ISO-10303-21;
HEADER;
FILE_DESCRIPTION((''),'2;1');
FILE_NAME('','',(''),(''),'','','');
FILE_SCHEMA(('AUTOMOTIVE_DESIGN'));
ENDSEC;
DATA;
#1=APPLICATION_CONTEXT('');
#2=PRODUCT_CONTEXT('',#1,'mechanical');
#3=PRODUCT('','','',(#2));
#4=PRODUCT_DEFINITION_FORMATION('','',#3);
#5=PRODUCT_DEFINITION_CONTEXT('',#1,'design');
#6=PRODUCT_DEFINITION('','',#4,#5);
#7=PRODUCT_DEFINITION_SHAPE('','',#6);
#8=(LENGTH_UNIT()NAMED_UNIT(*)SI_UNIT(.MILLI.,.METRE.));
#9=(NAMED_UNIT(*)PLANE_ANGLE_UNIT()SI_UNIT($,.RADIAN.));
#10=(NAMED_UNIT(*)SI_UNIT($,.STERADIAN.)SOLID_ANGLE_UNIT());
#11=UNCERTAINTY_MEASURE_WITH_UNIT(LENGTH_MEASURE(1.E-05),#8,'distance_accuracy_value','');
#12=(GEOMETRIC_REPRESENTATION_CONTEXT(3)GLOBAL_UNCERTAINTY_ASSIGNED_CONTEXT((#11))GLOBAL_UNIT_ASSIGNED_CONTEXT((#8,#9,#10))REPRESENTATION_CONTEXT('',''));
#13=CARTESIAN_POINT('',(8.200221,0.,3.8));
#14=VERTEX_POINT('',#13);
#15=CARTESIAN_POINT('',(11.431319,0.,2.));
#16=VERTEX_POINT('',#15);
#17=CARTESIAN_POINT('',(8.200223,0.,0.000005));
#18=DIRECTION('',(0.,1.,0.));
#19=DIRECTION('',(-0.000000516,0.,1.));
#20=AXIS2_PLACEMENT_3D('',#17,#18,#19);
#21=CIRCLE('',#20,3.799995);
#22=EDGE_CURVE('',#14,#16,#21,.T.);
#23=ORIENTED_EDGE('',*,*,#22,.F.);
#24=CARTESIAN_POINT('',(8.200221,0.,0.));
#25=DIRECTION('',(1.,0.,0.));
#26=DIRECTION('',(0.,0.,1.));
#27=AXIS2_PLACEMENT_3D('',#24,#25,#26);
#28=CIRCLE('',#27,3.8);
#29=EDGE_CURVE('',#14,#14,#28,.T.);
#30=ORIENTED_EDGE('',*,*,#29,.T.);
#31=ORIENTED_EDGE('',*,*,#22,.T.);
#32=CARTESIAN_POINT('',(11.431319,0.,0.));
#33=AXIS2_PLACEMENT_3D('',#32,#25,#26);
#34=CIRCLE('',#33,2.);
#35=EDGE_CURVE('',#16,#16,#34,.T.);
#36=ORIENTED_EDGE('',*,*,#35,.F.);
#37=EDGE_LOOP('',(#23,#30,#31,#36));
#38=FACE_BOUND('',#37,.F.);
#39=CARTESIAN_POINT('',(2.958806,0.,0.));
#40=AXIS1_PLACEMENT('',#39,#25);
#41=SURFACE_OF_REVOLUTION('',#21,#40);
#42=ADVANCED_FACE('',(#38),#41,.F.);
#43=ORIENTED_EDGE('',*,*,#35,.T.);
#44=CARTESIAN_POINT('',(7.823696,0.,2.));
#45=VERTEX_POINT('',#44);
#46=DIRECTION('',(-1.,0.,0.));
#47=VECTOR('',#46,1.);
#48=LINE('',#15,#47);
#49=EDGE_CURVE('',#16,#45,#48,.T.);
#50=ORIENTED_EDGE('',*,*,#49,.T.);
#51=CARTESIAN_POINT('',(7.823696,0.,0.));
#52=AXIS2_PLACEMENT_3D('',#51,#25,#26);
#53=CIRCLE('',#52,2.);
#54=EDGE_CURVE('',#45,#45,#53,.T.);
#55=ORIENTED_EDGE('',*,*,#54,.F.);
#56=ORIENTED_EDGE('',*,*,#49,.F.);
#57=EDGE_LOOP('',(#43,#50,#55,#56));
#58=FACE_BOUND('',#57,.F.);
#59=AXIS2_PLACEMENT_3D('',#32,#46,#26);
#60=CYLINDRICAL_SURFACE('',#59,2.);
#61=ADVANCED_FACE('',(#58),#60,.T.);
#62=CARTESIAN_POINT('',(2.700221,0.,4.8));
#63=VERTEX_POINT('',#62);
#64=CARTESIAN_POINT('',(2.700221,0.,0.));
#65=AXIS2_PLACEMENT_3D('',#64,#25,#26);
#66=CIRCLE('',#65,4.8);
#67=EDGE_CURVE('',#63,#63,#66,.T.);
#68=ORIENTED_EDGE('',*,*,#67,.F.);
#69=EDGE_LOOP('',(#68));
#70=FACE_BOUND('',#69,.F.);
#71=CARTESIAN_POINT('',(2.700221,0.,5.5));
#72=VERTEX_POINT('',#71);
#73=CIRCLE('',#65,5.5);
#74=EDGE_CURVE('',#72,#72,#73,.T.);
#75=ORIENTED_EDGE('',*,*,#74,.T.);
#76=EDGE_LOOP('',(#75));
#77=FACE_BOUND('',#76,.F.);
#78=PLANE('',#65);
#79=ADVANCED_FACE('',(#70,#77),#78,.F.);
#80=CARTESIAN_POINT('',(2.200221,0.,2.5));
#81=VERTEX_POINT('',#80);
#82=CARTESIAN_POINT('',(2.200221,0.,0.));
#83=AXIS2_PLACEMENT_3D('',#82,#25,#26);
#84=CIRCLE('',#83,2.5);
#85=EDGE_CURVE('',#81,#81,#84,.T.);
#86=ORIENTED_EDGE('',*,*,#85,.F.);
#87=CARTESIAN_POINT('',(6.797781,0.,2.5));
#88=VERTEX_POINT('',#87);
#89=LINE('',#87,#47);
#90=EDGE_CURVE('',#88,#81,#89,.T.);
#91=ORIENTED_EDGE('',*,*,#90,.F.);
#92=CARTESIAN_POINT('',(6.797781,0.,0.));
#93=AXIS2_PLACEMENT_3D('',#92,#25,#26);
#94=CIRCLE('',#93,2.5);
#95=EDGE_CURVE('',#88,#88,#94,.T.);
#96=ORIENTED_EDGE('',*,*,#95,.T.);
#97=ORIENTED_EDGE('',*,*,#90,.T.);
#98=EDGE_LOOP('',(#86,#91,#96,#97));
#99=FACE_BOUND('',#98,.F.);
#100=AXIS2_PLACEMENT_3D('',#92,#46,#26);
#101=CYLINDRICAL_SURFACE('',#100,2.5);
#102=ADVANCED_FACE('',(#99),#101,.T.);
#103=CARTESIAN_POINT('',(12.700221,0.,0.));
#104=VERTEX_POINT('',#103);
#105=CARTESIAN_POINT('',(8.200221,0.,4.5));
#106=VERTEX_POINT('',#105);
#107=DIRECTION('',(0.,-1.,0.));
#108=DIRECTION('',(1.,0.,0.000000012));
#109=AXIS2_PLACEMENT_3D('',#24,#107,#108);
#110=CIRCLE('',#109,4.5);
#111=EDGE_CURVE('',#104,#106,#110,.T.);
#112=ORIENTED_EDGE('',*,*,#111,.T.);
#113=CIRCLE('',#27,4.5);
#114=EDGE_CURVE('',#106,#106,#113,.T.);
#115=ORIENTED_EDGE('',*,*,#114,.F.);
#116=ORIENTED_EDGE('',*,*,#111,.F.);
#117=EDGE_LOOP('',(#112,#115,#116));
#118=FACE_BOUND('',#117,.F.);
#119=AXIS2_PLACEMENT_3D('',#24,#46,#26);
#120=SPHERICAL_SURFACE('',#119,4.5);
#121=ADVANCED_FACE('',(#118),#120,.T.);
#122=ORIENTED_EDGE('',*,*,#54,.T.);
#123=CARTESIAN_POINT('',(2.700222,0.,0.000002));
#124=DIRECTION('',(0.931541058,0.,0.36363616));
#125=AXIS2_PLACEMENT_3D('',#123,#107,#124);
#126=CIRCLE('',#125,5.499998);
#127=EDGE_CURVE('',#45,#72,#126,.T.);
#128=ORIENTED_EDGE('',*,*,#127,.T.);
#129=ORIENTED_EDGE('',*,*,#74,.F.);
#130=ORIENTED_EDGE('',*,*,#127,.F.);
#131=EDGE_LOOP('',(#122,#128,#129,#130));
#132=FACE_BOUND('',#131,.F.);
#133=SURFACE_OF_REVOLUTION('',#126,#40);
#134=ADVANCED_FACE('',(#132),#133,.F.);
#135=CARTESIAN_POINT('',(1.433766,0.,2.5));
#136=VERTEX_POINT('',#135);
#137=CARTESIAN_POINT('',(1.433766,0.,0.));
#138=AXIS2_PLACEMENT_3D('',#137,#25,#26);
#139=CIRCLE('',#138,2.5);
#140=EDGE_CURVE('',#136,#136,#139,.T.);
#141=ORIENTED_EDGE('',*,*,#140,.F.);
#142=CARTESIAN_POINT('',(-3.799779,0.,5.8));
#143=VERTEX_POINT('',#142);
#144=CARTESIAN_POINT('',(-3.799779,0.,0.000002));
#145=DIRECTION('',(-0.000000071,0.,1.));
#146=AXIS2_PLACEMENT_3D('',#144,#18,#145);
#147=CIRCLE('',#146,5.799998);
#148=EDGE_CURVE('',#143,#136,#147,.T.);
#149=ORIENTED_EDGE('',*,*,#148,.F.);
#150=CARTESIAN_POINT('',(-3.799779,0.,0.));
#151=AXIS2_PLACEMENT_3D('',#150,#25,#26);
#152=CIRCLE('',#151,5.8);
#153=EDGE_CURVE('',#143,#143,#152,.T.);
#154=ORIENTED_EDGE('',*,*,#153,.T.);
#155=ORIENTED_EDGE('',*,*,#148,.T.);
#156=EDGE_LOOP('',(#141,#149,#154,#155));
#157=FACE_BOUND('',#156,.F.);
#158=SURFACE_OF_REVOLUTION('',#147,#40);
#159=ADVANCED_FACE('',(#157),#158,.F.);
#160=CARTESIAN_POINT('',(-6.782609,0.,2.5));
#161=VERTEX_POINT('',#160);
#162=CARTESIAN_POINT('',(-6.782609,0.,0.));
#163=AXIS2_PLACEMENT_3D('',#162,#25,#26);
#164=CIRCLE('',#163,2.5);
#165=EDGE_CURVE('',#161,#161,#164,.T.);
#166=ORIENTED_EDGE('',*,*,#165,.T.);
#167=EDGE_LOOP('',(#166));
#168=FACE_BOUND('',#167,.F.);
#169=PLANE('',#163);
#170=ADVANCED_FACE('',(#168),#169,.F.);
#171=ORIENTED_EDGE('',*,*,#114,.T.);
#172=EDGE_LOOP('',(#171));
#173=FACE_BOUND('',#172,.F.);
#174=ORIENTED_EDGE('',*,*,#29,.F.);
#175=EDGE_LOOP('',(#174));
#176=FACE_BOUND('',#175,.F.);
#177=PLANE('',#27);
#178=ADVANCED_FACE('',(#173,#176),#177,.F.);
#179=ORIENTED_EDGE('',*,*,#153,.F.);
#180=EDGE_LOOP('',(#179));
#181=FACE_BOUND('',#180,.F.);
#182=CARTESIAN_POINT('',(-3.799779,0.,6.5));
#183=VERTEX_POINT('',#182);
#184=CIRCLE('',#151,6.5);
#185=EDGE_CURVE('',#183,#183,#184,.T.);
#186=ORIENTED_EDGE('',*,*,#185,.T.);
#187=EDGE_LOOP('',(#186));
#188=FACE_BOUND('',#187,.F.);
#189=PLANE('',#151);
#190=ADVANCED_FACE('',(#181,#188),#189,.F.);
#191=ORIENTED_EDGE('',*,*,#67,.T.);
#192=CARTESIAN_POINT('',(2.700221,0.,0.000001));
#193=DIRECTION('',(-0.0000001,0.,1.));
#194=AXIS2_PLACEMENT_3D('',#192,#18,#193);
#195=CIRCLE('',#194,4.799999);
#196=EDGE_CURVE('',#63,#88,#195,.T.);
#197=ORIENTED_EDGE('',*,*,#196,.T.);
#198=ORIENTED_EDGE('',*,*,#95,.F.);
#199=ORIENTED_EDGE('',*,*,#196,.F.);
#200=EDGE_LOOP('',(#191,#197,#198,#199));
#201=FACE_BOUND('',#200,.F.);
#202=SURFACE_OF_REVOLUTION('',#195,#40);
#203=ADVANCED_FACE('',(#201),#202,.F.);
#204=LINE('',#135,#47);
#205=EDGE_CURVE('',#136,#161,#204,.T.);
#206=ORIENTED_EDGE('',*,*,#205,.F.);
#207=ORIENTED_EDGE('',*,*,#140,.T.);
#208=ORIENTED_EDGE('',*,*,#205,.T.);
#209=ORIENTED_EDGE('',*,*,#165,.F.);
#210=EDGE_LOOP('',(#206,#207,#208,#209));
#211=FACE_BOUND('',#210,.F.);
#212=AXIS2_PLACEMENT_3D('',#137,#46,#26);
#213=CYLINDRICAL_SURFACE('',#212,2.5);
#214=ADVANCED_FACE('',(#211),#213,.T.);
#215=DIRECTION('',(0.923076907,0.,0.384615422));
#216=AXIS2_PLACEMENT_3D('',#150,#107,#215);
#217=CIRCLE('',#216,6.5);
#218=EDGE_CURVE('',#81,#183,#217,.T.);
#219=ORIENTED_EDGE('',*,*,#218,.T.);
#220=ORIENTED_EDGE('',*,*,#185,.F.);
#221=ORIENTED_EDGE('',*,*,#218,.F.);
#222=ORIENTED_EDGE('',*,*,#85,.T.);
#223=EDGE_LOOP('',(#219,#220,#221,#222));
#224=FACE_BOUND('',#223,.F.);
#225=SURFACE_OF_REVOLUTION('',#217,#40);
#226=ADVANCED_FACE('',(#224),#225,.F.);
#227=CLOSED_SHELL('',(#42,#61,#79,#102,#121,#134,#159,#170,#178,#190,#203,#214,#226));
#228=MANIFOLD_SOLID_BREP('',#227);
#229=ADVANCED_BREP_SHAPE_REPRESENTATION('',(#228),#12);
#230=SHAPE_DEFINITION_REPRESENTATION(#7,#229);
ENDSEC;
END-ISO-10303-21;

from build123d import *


with BuildPart() as f1:
    # F0 (on Front) → F1 (revolve)
    with BuildSketch(Plane.XZ):
        with BuildLine():
            ThreePointArc((2.700221, 4.8), (5.049689, 4.18569), (6.797781, 2.5))
            Line((6.797781, 2.5), (2.200221, 2.5))
            ThreePointArc((2.200221, 2.5), (-0.194228, 5.408327), (-3.799779, 6.5))
            Line((-3.799779, 6.5), (-3.799779, 5.8))
            ThreePointArc((-3.799779, 5.8), (-0.706238, 4.906119), (1.433766, 2.5))
            Line((1.433766, 2.5), (-6.782609, 2.5))
            Line((-6.782609, 2.5), (-6.782609, 0))
            Line((-6.782609, 0), (12.700221, 0))
            ThreePointArc((12.700221, 0), (11.382201, 3.181981), (8.200221, 4.5))
            Line((8.200221, 4.5), (8.200221, 3.8))
            ThreePointArc((8.200221, 3.8), (10.049545, 3.319639), (11.431319, 2))
            Line((11.431319, 2), (7.823696, 2))
            ThreePointArc((7.823696, 2), (5.802639, 4.541476), (2.700221, 5.5))
            Line((2.700221, 5.5), (2.700221, 4.8))
        make_face()
    revolve(axis=Axis((2.958806, 0, 0), (1, 0, 0)))


solid = f1.part
